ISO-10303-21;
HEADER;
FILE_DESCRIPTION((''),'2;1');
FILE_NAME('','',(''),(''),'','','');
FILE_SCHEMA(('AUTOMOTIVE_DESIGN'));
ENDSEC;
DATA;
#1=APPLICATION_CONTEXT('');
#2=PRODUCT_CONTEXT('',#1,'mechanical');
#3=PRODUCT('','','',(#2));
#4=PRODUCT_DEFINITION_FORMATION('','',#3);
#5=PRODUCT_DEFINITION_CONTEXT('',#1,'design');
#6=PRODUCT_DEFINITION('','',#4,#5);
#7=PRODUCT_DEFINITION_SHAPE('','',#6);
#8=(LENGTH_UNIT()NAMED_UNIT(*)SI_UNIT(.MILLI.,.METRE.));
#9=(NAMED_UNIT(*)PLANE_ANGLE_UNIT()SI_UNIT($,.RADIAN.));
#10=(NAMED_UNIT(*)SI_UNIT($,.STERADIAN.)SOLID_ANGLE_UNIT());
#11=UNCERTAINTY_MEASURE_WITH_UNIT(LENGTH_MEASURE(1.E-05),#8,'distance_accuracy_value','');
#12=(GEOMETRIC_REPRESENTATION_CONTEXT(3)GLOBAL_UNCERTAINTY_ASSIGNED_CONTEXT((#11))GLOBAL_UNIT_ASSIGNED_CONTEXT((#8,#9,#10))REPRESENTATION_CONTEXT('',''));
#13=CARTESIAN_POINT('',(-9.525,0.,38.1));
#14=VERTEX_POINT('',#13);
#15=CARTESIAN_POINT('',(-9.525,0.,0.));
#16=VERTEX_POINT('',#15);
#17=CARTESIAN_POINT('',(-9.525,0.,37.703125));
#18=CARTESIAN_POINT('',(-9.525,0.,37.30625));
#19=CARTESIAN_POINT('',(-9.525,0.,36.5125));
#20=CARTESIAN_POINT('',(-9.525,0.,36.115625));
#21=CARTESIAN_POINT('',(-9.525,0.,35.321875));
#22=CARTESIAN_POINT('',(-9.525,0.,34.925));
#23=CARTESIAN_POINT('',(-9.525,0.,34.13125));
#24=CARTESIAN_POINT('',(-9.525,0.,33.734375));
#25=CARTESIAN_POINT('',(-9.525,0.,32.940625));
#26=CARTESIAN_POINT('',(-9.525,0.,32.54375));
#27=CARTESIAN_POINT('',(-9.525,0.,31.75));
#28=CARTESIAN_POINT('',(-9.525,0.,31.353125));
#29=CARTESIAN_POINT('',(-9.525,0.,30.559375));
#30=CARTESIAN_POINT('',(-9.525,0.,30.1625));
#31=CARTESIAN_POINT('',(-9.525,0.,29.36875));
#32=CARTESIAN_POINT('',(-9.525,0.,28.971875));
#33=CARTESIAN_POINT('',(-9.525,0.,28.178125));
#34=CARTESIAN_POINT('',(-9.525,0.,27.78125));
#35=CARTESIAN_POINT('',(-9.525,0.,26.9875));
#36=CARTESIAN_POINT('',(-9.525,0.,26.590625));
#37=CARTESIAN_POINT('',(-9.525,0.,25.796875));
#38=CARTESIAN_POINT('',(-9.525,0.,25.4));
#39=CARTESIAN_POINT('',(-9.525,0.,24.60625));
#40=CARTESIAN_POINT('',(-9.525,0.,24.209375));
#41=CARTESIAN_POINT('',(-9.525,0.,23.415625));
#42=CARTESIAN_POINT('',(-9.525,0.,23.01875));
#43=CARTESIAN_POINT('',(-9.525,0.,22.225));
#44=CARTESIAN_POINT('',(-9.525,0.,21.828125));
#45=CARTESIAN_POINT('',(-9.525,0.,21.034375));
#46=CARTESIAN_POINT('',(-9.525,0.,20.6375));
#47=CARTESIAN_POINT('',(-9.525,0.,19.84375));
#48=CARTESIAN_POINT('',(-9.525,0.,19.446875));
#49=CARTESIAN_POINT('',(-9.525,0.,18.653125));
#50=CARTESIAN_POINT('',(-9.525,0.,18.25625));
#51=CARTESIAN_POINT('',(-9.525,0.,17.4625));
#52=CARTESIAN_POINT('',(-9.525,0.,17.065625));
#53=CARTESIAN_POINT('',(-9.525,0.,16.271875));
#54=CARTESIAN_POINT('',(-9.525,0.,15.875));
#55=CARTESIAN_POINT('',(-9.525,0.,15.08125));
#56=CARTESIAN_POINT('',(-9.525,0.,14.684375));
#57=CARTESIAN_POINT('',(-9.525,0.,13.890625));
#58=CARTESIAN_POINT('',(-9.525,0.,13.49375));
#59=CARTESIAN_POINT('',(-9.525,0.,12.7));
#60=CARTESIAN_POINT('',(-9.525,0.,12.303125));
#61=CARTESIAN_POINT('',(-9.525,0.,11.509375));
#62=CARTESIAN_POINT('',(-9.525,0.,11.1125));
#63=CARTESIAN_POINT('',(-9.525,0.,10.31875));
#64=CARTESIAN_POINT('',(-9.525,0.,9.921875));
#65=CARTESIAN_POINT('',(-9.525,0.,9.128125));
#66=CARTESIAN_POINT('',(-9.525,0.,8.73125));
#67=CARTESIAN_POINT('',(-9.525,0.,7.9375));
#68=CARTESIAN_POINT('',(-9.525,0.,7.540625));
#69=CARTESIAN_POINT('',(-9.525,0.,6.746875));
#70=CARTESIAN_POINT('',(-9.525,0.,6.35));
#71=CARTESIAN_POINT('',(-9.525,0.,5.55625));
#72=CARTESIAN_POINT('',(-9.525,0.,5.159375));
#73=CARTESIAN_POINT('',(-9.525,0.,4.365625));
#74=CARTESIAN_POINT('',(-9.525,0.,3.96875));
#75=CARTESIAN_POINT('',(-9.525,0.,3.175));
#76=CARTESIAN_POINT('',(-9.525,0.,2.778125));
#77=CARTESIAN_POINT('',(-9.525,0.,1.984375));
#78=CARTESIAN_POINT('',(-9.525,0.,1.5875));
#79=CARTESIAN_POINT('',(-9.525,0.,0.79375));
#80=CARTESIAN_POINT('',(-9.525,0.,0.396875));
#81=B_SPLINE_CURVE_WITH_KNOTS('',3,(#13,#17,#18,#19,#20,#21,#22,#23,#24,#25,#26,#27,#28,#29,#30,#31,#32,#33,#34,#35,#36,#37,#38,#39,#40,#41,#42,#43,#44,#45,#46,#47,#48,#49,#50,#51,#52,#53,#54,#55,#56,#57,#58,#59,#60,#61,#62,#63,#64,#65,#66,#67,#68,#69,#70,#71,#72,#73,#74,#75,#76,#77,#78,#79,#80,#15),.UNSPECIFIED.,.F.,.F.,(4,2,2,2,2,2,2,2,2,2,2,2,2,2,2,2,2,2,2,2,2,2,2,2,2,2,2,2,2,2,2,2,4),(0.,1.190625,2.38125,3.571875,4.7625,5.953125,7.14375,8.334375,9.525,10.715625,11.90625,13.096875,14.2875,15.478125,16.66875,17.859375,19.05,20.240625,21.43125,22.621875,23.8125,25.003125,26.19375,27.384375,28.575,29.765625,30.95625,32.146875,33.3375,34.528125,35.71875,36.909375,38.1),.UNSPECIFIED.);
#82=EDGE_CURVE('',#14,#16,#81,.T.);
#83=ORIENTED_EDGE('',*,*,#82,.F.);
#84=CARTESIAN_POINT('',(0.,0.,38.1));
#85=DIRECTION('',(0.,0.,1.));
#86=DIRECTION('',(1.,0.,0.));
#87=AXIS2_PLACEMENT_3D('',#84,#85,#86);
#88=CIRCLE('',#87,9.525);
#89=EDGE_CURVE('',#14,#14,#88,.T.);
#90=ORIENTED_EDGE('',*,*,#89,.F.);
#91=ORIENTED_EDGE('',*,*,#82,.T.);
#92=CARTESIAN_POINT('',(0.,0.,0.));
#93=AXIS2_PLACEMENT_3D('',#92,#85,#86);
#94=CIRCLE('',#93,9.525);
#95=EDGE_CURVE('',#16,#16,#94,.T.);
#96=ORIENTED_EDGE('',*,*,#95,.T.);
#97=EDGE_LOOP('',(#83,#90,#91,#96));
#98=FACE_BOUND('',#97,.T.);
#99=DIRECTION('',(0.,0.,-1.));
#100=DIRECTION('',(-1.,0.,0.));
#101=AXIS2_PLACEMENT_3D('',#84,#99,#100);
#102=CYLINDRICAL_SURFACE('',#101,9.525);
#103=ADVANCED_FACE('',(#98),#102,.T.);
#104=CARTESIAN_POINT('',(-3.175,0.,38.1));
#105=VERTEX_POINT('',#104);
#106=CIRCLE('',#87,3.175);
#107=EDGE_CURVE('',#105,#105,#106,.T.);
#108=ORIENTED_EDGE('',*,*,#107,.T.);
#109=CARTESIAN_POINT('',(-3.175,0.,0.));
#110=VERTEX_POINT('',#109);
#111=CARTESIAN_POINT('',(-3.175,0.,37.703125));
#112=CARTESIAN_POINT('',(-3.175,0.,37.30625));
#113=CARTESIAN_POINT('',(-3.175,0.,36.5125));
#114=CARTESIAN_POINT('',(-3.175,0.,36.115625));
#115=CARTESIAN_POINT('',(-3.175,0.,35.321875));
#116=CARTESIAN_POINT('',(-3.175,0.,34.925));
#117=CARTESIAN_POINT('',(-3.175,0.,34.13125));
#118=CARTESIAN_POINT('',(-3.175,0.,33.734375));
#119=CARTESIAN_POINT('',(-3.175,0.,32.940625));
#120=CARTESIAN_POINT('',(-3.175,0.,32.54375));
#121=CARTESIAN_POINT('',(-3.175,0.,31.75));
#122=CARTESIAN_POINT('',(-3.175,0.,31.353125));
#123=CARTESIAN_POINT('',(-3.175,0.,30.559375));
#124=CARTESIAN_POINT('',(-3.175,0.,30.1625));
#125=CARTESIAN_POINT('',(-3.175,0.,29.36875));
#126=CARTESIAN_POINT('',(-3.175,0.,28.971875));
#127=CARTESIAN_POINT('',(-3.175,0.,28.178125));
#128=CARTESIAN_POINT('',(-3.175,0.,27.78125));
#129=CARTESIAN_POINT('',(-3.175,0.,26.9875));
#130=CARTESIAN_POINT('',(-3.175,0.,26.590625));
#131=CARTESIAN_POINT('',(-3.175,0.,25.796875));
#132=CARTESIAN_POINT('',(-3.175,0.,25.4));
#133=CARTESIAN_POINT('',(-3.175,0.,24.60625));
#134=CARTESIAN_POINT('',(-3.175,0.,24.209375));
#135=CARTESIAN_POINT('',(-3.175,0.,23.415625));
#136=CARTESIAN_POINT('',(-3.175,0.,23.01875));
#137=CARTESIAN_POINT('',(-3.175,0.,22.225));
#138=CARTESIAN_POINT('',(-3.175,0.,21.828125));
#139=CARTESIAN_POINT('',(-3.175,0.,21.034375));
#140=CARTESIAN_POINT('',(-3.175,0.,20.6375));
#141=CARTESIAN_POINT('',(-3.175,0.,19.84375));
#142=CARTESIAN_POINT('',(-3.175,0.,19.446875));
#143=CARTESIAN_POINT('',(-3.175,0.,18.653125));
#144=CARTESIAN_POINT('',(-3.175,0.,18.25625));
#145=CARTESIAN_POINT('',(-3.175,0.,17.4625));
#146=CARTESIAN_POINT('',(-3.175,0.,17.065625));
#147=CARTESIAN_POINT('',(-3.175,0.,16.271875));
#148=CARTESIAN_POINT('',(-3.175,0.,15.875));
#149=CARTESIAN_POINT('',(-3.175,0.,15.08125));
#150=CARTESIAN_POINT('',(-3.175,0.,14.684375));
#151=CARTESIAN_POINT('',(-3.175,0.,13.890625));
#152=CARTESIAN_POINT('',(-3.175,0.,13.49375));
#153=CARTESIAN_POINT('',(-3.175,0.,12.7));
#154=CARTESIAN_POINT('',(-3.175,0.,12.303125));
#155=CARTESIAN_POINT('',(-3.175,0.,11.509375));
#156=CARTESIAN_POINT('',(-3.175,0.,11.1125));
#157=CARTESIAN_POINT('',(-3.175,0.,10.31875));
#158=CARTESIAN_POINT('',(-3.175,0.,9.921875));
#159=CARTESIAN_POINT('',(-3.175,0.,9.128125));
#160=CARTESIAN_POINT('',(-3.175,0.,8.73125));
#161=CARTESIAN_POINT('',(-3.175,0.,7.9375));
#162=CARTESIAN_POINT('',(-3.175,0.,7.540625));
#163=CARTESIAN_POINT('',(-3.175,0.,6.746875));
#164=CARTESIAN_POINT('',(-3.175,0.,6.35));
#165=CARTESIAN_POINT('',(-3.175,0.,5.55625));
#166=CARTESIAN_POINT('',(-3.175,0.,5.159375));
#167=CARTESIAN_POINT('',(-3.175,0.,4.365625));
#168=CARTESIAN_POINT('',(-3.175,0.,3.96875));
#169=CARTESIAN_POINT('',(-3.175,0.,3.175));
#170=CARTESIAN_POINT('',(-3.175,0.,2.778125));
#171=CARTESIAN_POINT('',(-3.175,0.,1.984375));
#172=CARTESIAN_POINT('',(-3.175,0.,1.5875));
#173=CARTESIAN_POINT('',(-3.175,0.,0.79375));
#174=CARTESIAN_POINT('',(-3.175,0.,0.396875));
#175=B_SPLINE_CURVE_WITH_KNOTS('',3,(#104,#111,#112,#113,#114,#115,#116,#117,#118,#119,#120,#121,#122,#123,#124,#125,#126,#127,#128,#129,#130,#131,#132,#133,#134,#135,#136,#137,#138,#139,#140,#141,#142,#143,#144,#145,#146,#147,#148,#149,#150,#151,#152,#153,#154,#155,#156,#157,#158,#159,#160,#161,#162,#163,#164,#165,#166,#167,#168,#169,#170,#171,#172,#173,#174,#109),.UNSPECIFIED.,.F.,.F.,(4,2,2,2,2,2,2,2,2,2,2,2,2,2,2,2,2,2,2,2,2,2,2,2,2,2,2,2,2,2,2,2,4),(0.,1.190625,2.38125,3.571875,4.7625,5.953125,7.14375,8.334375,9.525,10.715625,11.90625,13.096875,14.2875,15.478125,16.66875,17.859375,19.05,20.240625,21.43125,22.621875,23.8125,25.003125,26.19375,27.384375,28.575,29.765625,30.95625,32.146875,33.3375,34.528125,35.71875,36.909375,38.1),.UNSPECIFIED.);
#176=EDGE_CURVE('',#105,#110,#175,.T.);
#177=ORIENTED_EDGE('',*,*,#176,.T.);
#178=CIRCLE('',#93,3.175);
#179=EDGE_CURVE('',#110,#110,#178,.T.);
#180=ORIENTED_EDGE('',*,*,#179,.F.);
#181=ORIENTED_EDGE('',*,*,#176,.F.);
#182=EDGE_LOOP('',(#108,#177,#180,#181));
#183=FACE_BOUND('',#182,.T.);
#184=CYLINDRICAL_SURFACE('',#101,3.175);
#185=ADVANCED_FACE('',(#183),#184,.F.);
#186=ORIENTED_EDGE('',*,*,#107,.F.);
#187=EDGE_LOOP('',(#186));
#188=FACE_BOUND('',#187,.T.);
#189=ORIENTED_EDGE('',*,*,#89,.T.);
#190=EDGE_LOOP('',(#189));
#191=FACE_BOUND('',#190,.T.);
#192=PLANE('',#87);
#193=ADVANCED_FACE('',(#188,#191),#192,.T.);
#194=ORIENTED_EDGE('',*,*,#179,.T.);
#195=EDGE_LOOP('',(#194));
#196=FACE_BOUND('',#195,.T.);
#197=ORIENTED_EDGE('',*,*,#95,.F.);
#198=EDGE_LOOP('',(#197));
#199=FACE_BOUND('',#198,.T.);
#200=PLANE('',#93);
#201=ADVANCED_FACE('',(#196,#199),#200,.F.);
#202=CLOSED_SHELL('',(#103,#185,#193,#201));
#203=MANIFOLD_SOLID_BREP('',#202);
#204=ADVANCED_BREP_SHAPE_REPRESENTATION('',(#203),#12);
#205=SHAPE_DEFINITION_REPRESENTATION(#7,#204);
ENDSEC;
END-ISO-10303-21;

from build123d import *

# Parameters (mm, degrees)
SKETCH1_R           = 9.525
SKETCH1_R_2         = 3.175
BOSS_EXTRUDE1_DEPTH = 38.1


with BuildPart() as part:
    # Sketch1 → Boss-Extrude1 (new body)
    with BuildSketch(Plane.XY):
        with Locations(Location((0, 0, 0), (0, 0, 180))):
            Circle(SKETCH1_R)
        with Locations(Location((0, 0, 0), (0, 0, 180))):
            Circle(SKETCH1_R_2, mode=Mode.SUBTRACT)
    extrude(amount=BOSS_EXTRUDE1_DEPTH)


solid = part.part
